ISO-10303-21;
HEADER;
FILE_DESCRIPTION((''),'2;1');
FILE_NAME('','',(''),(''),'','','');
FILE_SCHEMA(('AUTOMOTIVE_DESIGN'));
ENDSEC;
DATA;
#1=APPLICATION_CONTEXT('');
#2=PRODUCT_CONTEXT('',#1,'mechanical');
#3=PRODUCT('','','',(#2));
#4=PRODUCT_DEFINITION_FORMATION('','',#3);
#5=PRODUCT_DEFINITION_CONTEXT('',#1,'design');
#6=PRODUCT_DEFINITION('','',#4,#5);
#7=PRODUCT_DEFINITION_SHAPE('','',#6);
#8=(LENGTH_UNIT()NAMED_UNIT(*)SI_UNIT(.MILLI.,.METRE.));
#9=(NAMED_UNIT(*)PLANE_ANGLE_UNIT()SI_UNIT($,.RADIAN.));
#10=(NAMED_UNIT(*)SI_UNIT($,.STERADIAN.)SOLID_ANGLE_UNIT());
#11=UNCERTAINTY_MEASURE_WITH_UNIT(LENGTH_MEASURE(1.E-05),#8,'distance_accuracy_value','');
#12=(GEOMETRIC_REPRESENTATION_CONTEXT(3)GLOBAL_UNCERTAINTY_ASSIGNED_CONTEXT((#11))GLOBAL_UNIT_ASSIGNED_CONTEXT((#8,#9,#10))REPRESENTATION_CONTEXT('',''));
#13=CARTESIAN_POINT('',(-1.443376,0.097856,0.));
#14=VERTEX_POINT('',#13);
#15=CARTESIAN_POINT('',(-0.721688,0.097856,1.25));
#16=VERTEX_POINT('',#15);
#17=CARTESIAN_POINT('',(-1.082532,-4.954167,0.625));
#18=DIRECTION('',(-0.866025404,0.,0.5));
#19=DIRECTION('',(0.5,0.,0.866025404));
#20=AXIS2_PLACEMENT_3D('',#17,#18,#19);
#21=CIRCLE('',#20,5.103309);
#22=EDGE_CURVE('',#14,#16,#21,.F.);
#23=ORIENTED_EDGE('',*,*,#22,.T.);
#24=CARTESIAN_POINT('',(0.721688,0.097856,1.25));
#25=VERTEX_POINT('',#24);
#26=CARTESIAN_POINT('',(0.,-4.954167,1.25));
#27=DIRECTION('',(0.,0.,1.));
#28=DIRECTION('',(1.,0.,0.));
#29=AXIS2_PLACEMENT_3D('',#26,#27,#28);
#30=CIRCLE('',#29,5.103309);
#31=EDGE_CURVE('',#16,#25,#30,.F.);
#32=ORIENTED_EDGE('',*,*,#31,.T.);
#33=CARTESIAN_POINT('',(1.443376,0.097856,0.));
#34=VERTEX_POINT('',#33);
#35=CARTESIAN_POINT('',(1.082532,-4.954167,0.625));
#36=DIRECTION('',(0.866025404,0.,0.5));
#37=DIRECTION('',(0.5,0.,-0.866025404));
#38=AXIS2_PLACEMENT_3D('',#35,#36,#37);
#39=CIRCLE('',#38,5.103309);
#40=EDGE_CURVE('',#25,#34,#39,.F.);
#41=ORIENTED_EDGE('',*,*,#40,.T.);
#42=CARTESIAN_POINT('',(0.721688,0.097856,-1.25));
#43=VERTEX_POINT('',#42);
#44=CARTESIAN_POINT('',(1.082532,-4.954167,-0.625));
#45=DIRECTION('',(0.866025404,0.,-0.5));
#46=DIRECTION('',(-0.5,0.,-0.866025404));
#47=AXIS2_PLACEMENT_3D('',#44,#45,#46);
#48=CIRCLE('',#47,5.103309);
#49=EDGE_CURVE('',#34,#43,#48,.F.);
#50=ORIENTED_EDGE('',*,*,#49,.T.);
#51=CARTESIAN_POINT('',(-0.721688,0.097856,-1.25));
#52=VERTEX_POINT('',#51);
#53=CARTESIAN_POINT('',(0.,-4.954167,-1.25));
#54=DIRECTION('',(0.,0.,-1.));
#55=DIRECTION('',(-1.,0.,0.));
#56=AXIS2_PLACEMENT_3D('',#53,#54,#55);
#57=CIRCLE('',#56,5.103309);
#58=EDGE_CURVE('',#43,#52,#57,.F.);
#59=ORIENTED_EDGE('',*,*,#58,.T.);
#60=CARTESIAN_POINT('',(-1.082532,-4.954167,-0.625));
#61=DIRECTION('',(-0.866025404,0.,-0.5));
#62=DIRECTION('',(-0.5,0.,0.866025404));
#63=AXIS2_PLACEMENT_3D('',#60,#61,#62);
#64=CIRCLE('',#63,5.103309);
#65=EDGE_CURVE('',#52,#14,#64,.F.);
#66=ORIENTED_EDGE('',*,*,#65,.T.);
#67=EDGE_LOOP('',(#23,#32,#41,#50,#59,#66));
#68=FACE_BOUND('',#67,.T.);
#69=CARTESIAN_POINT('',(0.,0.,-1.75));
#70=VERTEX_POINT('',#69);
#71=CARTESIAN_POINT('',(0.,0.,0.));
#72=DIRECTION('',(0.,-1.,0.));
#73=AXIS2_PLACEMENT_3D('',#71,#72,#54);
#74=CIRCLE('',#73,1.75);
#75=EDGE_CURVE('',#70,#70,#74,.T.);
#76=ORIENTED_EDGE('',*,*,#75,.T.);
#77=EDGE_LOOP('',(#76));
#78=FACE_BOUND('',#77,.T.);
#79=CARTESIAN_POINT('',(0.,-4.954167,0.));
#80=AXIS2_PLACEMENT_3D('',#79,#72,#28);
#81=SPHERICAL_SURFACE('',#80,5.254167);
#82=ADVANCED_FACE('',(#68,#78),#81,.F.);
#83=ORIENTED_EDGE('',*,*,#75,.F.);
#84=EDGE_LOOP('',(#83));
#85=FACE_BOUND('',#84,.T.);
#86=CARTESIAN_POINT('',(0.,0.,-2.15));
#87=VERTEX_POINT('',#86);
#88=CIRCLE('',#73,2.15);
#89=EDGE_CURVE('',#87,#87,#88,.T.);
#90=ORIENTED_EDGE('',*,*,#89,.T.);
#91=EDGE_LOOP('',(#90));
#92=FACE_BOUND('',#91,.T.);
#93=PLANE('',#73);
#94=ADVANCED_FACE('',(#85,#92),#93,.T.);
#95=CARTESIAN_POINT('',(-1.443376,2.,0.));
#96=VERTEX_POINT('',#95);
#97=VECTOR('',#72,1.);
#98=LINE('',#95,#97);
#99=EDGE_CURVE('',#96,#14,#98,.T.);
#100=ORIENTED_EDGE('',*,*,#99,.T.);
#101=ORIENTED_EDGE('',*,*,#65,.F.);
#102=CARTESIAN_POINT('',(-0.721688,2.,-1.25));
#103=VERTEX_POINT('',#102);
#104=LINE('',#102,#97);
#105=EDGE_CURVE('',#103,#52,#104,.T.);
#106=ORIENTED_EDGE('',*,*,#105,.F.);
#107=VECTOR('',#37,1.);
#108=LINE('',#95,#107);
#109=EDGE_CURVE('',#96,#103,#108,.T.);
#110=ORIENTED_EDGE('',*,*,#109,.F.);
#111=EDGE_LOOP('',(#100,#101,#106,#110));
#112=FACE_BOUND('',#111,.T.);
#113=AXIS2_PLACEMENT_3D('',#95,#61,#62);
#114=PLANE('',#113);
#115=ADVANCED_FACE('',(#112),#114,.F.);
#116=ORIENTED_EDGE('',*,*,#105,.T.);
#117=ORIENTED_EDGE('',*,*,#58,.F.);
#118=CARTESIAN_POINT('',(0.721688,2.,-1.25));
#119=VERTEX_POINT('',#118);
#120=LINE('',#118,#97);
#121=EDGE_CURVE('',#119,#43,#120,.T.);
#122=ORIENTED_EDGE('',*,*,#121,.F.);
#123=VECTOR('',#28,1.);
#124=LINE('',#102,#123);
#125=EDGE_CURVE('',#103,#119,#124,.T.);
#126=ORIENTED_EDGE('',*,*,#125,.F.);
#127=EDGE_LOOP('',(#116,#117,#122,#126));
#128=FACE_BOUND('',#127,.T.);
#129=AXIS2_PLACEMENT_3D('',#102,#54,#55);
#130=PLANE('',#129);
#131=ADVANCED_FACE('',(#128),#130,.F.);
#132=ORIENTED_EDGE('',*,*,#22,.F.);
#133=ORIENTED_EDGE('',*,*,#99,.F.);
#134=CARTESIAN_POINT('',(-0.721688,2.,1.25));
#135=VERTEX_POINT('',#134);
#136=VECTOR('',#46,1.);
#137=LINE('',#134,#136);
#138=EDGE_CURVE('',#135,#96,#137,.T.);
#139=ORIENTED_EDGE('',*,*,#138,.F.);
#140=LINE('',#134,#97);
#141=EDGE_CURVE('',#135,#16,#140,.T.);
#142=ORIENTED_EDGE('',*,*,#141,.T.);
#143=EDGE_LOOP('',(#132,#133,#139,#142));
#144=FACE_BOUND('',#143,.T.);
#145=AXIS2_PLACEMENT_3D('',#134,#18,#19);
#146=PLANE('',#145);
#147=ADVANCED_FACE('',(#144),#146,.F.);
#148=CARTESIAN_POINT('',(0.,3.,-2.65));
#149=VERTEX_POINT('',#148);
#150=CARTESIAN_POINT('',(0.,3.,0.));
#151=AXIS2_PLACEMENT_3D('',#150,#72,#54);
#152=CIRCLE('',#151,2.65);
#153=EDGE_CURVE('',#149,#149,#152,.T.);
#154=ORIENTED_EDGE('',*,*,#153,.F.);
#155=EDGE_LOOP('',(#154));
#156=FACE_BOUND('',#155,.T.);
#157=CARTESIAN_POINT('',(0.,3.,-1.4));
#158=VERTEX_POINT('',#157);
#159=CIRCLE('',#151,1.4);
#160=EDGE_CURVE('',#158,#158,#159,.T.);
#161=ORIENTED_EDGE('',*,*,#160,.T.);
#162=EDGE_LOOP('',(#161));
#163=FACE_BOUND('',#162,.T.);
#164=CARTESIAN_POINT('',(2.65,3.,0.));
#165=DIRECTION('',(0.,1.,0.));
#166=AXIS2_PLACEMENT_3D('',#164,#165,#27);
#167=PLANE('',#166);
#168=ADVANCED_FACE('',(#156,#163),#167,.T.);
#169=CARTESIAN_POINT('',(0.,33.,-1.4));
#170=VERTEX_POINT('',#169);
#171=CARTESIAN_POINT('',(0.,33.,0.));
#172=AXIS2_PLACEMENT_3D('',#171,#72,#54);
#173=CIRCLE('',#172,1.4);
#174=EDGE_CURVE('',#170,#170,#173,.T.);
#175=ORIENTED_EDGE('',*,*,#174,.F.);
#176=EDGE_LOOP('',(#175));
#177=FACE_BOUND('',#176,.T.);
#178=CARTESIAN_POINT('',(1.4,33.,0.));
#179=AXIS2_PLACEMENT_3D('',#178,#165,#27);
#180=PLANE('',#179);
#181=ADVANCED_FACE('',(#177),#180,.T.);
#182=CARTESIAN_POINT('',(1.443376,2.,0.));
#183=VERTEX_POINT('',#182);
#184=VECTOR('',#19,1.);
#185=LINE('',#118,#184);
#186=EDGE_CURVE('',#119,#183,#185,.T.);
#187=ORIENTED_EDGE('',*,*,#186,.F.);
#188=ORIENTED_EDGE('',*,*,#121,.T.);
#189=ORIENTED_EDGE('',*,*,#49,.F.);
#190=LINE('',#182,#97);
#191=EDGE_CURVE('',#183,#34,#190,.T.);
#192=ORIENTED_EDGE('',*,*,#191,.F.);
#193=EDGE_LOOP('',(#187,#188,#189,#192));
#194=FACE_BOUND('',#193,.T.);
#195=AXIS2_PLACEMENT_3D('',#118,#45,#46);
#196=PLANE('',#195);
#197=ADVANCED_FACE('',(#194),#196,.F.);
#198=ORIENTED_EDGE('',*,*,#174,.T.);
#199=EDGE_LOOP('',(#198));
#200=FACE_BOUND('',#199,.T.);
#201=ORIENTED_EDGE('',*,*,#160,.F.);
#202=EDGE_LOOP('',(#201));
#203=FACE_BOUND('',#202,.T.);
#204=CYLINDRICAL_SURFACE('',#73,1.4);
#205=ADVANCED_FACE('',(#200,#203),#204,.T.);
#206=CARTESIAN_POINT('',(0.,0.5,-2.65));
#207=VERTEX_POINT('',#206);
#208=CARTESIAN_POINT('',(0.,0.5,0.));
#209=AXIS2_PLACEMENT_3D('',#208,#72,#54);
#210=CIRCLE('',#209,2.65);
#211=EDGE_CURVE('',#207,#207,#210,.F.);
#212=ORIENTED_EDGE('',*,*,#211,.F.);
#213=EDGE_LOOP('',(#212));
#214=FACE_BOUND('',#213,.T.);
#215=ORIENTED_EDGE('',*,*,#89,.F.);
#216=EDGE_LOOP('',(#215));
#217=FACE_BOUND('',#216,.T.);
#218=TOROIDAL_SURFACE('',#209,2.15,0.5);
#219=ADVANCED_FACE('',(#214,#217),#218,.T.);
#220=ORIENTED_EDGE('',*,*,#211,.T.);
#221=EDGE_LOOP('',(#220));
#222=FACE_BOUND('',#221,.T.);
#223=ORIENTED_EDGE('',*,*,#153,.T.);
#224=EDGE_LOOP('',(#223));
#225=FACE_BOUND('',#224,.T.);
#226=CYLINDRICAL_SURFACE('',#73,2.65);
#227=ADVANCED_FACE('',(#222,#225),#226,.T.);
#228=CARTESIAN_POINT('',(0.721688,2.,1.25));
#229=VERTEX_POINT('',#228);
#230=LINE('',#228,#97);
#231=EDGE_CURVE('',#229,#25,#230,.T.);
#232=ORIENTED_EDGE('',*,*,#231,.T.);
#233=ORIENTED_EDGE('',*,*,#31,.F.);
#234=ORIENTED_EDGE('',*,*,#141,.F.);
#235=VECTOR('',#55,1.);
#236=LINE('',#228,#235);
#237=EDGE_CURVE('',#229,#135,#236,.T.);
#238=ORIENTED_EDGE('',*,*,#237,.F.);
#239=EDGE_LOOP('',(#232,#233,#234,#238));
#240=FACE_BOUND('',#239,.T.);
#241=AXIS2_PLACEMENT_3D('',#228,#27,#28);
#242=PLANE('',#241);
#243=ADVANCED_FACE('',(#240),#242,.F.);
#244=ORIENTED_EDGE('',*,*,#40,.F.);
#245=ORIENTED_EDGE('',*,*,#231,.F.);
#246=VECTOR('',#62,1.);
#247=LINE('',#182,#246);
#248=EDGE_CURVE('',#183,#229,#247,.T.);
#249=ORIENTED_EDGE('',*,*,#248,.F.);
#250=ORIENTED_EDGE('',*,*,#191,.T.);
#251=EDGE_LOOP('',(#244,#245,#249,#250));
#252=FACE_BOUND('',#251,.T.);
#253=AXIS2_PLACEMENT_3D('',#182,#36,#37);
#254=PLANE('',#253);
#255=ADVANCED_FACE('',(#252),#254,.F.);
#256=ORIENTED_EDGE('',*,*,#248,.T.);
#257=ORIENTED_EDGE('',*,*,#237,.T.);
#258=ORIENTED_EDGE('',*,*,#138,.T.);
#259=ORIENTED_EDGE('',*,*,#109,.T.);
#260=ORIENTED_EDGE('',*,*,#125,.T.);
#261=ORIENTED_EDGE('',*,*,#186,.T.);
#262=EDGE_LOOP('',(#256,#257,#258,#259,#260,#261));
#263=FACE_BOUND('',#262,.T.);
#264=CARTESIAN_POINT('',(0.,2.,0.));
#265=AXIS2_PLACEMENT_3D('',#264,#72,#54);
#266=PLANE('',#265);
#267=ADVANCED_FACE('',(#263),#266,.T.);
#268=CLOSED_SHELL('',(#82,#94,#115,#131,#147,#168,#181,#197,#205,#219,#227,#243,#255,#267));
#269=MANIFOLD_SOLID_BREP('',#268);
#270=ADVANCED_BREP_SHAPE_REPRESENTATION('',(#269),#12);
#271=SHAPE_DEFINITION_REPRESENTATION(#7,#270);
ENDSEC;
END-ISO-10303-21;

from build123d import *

# Parameters (mm, degrees)
CUT_EXTRUDE1_DEPTH = 2
FILLET1_R          = 0.5


with BuildPart() as part:
    # Sketch2 → Revolve1 (revolve)
    with BuildSketch(Plane.XY):
        Polygon((0, 0), (2.65, 0), (2.65, 3), (1.4, 3), (1.4, 33), (0, 33), align=None)
    revolve(axis=Axis((0, 0, 0), (0, 1, 0)))

    # Sketch3 → Cut-Extrude1 (cut)
    with BuildSketch(Plane.XZ):
        Polygon((-1.443375673, 0), (-0.721687836, -1.25), (0.721687836, -1.25), (1.443375673, 0), (0.721687836, 1.25), (-0.721687836, 1.25), align=None)
    extrude(amount=-CUT_EXTRUDE1_DEPTH, mode=Mode.SUBTRACT)

    # Sketch4 → Cut-Revolve1 (revolve, cut)
    with BuildSketch(Plane(origin=(0, 0, 0), x_dir=(-1, 0, 0), z_dir=(0, 0, -1))):
        with BuildLine():
            Line((0, 0), (0, 0.3))
            ThreePointArc((0, 0.3), (-0.887764045, 0.22445693), (-1.75, 0))
            Line((-1.75, 0), (0, 0))
        make_face()
    revolve(axis=Axis((0, 0, 0), (0, 1, 0)), mode=Mode.SUBTRACT)

    # Fillet1
    fillet1_edges = [part.edges().sort_by_distance(p)[0] for p in [
        (-2.65, 0, 0),
    ]]
    fillet(fillet1_edges, radius=FILLET1_R)


solid = part.part
